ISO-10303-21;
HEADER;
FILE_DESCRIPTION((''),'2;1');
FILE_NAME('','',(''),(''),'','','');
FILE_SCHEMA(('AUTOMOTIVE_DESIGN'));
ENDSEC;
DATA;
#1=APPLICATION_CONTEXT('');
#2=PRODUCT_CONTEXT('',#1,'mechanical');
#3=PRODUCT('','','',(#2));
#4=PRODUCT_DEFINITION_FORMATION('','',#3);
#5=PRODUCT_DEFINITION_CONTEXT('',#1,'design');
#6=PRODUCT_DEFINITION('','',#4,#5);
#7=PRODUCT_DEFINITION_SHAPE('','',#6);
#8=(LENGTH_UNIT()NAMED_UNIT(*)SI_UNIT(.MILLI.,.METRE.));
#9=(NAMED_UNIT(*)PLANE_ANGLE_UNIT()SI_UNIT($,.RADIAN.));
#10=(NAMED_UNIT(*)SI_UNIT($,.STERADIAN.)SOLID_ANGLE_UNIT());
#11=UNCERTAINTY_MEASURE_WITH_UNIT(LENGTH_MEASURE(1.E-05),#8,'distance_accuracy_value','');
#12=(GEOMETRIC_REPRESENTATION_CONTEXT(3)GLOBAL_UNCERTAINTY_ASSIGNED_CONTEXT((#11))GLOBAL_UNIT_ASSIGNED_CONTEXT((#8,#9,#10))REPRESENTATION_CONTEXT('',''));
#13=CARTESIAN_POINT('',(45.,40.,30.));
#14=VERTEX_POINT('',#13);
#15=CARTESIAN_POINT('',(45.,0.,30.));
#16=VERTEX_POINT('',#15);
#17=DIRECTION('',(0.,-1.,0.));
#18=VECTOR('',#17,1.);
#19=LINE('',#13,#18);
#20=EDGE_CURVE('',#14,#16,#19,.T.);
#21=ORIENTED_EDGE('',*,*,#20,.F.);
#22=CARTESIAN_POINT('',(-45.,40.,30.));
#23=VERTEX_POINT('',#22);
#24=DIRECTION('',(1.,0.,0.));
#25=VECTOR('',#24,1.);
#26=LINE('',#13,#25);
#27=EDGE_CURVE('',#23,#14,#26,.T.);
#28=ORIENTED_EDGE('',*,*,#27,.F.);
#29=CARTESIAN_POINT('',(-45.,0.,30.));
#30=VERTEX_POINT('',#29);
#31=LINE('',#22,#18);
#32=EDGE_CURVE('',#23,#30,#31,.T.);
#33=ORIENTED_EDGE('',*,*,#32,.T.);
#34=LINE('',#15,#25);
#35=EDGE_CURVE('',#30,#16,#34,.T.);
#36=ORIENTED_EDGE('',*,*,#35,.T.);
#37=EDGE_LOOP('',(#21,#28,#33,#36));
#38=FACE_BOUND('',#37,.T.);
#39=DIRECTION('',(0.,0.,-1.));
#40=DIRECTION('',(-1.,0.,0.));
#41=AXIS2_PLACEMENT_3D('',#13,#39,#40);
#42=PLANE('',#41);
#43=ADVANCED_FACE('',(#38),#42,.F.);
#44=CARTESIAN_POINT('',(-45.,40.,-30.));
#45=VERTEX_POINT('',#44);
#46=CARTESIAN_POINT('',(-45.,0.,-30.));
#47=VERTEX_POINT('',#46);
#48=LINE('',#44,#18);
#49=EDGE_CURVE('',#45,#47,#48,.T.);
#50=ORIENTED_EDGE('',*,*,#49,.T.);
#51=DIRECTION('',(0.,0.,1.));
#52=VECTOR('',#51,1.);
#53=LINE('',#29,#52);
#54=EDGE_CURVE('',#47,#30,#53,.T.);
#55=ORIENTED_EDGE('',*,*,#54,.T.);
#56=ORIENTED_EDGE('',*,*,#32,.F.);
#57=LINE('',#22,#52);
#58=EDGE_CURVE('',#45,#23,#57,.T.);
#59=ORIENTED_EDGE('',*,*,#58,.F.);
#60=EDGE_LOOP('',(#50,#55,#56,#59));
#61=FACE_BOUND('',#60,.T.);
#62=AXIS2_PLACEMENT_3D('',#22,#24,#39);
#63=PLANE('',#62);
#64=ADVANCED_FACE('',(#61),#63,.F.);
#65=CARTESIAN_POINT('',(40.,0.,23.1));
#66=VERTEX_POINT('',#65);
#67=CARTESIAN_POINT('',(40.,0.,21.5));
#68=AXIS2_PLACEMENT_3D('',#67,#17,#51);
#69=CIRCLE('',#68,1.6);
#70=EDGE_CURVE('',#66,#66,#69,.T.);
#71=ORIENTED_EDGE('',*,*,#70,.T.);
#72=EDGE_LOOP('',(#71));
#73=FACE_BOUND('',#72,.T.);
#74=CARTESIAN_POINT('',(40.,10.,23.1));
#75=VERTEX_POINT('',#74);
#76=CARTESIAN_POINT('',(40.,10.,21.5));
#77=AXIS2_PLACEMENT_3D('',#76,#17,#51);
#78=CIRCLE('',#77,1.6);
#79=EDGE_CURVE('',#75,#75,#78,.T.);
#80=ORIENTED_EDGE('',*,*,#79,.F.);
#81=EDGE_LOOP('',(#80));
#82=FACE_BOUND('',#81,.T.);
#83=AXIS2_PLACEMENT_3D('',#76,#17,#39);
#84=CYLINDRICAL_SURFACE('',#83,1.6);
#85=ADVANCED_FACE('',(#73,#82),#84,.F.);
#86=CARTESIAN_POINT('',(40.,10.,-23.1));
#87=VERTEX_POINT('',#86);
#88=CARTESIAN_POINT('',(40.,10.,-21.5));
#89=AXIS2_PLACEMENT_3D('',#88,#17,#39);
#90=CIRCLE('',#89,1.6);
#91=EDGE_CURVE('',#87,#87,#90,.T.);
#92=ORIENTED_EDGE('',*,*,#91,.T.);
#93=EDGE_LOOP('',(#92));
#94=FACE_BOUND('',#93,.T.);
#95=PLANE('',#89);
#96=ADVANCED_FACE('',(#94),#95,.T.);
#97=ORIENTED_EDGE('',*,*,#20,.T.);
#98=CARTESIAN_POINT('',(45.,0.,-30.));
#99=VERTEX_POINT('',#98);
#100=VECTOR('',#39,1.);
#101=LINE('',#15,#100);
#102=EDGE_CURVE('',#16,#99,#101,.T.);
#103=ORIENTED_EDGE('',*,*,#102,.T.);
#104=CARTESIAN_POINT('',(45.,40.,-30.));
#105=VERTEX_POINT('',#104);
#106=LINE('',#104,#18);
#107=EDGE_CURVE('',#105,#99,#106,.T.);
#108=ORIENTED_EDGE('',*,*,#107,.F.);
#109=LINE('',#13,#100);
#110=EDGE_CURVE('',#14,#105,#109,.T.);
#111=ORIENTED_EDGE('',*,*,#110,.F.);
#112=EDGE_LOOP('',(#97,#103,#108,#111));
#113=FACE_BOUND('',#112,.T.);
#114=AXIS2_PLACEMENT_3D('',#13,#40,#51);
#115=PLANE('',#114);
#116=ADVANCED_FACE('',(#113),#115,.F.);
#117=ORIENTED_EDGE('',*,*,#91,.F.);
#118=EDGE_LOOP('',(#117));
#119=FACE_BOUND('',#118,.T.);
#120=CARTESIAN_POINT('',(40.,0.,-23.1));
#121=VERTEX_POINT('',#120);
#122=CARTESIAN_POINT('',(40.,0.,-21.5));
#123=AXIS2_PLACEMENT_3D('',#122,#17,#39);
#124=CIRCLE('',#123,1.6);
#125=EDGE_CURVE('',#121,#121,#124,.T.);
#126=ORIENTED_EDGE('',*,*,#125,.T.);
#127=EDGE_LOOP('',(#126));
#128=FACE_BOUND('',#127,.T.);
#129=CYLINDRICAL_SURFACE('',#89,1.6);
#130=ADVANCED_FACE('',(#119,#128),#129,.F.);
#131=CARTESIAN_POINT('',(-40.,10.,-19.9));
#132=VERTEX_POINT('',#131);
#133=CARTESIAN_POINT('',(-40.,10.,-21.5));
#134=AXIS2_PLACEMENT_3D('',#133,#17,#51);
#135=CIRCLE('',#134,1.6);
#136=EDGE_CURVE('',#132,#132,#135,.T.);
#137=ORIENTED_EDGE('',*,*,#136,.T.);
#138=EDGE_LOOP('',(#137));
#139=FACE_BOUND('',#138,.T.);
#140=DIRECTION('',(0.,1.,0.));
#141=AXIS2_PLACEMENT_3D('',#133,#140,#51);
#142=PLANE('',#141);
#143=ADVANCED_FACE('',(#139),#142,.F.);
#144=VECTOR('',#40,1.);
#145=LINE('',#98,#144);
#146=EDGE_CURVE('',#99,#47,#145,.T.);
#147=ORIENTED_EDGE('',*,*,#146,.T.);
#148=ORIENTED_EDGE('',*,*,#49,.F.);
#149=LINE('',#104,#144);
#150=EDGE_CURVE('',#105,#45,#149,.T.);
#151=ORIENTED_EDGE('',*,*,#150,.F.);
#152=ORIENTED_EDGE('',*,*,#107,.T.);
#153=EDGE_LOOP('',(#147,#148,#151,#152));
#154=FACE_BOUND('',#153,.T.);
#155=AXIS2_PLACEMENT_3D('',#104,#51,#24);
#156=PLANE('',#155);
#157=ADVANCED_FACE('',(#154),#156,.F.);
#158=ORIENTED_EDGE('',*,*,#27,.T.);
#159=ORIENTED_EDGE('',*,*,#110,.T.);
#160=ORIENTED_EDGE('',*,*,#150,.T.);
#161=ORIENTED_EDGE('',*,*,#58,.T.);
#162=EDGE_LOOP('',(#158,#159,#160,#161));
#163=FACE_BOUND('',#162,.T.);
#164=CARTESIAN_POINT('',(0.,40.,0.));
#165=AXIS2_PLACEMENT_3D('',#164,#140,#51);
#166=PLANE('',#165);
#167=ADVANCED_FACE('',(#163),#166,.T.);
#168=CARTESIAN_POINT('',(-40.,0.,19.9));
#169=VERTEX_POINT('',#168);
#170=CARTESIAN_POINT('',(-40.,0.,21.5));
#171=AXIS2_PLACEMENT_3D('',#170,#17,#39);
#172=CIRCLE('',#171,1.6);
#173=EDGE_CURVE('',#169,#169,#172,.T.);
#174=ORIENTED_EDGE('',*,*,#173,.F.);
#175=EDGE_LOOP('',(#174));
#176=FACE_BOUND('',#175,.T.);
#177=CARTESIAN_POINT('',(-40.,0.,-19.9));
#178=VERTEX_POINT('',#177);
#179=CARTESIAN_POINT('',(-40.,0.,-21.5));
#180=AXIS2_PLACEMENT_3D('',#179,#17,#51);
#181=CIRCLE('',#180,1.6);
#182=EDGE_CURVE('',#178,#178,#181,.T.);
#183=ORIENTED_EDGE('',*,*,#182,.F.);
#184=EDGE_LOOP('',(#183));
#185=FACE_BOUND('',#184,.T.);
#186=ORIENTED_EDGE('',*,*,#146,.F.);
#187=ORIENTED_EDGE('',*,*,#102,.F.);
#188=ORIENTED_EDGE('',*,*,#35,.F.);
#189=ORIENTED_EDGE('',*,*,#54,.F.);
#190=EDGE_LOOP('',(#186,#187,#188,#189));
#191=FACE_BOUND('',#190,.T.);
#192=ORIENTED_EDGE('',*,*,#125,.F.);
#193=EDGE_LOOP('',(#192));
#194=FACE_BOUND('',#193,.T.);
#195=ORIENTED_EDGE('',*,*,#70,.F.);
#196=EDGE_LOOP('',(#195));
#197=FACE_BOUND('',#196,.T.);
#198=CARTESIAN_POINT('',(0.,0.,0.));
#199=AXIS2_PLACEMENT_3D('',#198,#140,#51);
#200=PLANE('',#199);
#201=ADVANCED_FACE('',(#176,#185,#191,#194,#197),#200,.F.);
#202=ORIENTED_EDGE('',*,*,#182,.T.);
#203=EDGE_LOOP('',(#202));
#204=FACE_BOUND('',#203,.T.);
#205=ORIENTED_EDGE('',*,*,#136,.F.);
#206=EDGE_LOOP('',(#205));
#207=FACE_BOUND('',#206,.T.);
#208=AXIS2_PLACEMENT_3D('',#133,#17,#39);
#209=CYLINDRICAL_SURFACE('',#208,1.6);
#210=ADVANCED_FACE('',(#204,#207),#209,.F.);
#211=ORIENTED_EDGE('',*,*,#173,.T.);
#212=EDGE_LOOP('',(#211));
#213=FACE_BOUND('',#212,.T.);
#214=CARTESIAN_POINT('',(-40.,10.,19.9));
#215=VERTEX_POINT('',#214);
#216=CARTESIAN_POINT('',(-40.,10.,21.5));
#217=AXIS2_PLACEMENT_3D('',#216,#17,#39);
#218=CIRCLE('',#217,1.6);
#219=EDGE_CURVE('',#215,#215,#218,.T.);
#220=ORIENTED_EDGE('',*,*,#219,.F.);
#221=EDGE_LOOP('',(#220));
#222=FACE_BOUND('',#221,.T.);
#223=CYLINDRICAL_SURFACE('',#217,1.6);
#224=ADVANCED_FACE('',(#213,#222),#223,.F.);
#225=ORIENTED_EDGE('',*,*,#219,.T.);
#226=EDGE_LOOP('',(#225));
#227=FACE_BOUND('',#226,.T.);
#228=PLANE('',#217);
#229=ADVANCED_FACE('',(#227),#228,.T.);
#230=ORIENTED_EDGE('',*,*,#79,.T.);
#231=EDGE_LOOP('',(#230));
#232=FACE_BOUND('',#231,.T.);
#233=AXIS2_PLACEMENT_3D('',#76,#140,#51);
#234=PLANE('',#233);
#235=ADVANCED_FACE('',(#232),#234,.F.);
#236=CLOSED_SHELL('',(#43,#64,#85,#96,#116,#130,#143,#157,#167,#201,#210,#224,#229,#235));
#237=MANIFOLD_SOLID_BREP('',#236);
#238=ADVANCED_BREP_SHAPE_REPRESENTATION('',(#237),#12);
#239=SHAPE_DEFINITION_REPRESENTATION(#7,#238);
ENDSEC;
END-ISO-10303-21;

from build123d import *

# Parameters (mm, degrees)
SKETCH1_W           = 90
SKETCH1_H           = 60
BOSS_EXTRUDE2_DEPTH = 40
SKETCH3_R           = 1.6
CUT_EXTRUDE1_DEPTH  = 10


with BuildPart() as part:
    # Sketch1 → Boss-Extrude2 (new body)
    with BuildSketch(Plane(origin=(0, 0, 0), x_dir=(1, 0, 0), z_dir=(0, 1, 0))):
        Rectangle(SKETCH1_W, SKETCH1_H)
    extrude(amount=BOSS_EXTRUDE2_DEPTH)

    # Sketch3 → Cut-Extrude1 (cut)
    with BuildSketch(Plane(origin=(0, 0, 0), x_dir=(-1, 0, 0), z_dir=(0, -1, 0))):
        with Locations((40, -21.5)):
            Circle(SKETCH3_R)
        with Locations((-40, -21.5)):
            Circle(SKETCH3_R)
        with Locations((-40, 21.5)):
            Circle(SKETCH3_R)
        with Locations((40, 21.5)):
            Circle(SKETCH3_R)
    extrude(amount=-CUT_EXTRUDE1_DEPTH, mode=Mode.SUBTRACT)


solid = part.part
